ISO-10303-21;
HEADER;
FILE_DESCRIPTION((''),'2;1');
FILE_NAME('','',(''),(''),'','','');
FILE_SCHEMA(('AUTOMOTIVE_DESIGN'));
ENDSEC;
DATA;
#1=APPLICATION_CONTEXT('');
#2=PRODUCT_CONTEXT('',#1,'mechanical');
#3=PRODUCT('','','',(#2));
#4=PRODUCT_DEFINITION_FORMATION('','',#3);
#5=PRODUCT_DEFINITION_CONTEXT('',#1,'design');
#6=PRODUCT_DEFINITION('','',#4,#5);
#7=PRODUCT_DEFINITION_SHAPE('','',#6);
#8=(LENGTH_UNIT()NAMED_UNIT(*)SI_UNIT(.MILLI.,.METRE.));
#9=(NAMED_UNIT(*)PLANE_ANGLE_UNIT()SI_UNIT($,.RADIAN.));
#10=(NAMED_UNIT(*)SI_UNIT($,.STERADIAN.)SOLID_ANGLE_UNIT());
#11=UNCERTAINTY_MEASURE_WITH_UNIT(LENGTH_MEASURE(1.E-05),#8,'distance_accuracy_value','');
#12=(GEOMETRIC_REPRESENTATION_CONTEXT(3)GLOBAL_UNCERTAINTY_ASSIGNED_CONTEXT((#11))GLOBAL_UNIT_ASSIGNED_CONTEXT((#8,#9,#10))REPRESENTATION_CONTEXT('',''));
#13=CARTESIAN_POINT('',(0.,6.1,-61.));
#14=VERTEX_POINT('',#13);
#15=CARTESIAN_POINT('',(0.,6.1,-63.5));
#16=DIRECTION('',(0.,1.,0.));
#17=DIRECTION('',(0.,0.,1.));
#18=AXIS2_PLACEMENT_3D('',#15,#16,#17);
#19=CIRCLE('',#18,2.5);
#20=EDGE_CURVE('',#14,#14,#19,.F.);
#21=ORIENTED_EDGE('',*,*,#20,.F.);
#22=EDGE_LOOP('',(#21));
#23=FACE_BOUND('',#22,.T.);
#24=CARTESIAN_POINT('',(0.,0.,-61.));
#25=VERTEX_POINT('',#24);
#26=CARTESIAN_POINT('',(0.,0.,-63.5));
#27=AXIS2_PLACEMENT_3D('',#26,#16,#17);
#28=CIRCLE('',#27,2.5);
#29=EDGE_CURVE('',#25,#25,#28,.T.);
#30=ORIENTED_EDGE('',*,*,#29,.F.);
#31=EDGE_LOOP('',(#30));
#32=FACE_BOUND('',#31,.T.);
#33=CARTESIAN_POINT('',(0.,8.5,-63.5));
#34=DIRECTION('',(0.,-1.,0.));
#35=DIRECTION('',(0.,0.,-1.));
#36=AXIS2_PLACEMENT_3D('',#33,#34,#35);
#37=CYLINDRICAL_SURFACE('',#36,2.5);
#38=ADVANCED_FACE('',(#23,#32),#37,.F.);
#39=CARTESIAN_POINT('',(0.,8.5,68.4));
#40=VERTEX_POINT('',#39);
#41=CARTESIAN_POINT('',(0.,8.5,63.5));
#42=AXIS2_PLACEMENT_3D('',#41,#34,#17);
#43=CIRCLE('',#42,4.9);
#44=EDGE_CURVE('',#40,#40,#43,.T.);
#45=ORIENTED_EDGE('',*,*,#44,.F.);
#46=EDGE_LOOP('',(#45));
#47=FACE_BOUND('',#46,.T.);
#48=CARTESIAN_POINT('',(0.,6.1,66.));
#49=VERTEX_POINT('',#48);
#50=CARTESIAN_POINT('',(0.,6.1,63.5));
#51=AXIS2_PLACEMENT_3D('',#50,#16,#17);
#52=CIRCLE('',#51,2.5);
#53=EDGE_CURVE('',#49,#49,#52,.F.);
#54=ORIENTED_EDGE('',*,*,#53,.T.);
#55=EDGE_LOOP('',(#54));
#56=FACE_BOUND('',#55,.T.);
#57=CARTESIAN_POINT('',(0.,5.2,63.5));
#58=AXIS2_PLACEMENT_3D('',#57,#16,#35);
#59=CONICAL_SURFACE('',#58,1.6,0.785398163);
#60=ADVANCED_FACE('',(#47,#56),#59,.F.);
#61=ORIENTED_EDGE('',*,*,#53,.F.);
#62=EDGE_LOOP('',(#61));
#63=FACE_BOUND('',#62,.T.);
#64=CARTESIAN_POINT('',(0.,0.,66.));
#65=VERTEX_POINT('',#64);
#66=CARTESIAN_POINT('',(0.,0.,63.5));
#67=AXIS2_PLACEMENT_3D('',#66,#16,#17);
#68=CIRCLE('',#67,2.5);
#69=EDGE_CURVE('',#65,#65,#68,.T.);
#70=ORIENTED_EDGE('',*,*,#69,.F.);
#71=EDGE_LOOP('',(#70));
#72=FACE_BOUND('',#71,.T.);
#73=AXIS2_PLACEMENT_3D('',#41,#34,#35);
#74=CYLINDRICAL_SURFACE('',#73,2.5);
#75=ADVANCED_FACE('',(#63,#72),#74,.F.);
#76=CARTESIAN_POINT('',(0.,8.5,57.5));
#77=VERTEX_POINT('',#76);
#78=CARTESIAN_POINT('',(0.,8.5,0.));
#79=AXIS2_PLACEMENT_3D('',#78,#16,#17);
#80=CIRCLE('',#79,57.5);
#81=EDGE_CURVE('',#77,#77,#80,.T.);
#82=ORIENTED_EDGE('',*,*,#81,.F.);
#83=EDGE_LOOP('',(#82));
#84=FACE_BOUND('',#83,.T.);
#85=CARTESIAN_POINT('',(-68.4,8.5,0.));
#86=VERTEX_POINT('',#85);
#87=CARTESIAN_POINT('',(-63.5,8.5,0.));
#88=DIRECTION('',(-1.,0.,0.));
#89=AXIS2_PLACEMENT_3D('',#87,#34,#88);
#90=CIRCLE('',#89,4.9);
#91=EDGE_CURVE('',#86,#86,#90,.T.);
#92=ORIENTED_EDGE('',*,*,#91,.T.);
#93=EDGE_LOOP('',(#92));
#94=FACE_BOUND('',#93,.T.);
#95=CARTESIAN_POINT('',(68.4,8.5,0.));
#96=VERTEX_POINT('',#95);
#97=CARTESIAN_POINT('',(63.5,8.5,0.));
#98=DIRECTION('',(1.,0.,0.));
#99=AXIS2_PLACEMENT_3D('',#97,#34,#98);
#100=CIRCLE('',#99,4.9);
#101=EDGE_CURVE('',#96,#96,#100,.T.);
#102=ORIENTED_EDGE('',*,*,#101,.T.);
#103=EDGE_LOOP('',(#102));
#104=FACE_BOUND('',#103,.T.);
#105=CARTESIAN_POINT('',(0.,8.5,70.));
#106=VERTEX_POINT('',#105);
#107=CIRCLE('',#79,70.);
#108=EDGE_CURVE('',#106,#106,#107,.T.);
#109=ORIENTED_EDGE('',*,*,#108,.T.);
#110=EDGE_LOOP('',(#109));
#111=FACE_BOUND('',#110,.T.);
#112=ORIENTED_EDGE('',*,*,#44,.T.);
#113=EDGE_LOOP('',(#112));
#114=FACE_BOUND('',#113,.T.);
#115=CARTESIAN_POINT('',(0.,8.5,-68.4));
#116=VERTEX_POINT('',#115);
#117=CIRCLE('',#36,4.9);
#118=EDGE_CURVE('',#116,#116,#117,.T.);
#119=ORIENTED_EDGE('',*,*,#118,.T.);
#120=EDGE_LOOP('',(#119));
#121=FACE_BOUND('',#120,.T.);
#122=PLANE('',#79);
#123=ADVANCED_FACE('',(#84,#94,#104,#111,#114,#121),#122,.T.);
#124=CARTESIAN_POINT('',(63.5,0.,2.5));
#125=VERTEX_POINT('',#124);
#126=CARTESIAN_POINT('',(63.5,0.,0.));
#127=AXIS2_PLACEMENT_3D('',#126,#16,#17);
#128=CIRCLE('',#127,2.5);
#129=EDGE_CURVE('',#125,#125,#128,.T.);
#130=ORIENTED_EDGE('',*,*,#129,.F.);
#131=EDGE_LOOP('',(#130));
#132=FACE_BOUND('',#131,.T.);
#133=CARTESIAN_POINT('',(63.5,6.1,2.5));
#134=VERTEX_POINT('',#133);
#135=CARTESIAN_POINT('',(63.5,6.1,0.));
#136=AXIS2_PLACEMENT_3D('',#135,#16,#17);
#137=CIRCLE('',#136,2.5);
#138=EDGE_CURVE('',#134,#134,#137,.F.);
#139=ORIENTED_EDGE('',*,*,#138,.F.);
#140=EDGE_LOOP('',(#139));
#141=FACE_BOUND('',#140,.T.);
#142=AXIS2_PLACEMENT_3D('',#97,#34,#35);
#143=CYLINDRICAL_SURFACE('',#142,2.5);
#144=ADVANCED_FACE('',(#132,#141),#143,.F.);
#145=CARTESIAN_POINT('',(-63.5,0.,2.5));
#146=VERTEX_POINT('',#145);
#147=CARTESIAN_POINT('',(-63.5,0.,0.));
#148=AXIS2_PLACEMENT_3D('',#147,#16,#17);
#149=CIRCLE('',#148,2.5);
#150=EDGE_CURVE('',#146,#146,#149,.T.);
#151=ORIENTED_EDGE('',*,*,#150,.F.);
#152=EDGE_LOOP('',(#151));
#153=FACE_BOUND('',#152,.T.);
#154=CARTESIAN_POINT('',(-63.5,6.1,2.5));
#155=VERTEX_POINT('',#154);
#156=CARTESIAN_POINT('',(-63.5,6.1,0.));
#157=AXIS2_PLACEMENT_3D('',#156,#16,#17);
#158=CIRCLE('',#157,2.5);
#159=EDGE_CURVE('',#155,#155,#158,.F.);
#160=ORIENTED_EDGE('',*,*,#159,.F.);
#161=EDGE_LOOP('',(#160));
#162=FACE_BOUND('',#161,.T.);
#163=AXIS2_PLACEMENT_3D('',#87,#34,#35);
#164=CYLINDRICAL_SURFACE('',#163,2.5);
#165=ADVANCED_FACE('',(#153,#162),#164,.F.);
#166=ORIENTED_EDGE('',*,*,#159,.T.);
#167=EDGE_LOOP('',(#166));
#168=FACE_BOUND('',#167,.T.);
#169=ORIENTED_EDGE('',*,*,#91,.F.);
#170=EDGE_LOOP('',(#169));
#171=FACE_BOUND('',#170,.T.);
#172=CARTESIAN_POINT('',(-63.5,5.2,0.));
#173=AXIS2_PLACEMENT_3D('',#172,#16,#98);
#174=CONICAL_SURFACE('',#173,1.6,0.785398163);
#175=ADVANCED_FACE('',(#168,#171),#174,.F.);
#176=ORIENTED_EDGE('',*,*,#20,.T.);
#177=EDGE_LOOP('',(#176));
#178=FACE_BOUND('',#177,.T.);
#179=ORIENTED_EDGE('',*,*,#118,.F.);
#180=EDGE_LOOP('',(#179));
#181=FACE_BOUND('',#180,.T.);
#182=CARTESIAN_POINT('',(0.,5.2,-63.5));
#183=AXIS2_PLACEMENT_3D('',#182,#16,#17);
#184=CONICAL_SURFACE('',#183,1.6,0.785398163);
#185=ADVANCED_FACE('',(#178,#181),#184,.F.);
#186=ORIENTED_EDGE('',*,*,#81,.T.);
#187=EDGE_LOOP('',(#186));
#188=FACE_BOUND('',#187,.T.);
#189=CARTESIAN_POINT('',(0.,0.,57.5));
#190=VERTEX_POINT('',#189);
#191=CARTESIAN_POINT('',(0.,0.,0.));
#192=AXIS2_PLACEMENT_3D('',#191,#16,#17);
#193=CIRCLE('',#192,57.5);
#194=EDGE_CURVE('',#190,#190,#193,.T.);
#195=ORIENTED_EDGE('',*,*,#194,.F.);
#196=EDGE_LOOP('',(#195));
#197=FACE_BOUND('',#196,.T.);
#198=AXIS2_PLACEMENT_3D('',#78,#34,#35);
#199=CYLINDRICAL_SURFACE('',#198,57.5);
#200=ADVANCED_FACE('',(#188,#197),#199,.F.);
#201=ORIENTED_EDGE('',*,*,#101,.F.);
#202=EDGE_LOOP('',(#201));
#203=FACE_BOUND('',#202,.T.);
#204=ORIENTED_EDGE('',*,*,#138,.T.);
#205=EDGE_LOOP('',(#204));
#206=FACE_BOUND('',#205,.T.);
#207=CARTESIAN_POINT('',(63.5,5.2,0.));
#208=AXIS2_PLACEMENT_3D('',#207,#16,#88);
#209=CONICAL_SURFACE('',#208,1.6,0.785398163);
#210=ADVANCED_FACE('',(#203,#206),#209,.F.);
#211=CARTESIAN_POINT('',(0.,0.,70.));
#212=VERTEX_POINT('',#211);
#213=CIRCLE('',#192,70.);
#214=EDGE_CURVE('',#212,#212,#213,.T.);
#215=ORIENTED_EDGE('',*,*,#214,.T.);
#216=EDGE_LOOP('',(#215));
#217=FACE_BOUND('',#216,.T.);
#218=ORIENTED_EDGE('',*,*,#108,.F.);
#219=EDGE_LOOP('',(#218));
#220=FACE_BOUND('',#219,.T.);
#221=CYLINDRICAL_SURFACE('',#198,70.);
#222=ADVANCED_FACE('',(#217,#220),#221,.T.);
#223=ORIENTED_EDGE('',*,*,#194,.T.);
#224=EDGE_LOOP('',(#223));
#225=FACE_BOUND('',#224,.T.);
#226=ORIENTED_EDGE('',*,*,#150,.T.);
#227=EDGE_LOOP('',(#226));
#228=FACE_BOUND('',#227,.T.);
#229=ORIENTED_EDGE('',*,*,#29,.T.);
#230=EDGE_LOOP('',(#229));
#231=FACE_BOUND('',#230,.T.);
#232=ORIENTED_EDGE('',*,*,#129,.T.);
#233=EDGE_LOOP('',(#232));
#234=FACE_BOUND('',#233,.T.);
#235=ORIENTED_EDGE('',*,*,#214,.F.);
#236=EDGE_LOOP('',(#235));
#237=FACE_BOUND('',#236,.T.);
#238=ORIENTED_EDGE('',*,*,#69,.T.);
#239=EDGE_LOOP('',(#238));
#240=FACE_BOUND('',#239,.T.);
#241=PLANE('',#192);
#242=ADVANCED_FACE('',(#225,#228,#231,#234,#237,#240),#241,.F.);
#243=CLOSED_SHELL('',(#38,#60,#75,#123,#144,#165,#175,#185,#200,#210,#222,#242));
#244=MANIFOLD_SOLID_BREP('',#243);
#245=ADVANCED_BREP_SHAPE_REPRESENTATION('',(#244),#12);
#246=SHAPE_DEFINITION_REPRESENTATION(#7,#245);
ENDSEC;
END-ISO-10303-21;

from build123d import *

# Parameters (mm, degrees)
SKETCH_1_R               = 70
SKETCH_1_R_2             = 2.5
SKETCH_1_R_3             = 57.5
EXTRUDE_1_DEPTH          = 8.5
PATTERN_CIRCULAR_1_COUNT = 4


with BuildPart() as part:
    # 草图1 → 凸台-拉伸1 (new body)
    with BuildSketch(Plane(origin=(0, 0, 0), x_dir=(1, 0, 0), z_dir=(0, 1, 0))):
        Circle(SKETCH_1_R)
        with Locations((0, -63.5)):
            Circle(SKETCH_1_R_2, mode=Mode.SUBTRACT)
        with Locations((63.5, 0)):
            Circle(SKETCH_1_R_2, mode=Mode.SUBTRACT)
        with Locations((-63.5, 0)):
            Circle(SKETCH_1_R_2, mode=Mode.SUBTRACT)
        Circle(SKETCH_1_R_3, mode=Mode.SUBTRACT)
        with Locations((0, 63.5)):
            Circle(SKETCH_1_R_2, mode=Mode.SUBTRACT)
    extrude(amount=EXTRUDE_1_DEPTH)

    # 草图2 → 切除-旋转1 (revolve, cut)
    with BuildSketch(Plane.XY.offset(-63.5)):
        Polygon((0, 8.5), (4.9, 8.5), (1.6, 5.2), (0, 5.2), align=None)
    cut_revolve_1 = revolve(axis=Axis((0, 0, -63.5), (0, 1, 0)), mode=Mode.SUBTRACT)

    # 阵列(圆周)1: 切除-旋转1 ×4 about axis
    pattern_circular_1_axis = Axis((0, 8.5, 0), (0, -1, 0))
    for i in range(1, PATTERN_CIRCULAR_1_COUNT):
        add(cut_revolve_1.rotate(pattern_circular_1_axis, i * 360 / PATTERN_CIRCULAR_1_COUNT), mode=Mode.SUBTRACT)


solid = part.part
